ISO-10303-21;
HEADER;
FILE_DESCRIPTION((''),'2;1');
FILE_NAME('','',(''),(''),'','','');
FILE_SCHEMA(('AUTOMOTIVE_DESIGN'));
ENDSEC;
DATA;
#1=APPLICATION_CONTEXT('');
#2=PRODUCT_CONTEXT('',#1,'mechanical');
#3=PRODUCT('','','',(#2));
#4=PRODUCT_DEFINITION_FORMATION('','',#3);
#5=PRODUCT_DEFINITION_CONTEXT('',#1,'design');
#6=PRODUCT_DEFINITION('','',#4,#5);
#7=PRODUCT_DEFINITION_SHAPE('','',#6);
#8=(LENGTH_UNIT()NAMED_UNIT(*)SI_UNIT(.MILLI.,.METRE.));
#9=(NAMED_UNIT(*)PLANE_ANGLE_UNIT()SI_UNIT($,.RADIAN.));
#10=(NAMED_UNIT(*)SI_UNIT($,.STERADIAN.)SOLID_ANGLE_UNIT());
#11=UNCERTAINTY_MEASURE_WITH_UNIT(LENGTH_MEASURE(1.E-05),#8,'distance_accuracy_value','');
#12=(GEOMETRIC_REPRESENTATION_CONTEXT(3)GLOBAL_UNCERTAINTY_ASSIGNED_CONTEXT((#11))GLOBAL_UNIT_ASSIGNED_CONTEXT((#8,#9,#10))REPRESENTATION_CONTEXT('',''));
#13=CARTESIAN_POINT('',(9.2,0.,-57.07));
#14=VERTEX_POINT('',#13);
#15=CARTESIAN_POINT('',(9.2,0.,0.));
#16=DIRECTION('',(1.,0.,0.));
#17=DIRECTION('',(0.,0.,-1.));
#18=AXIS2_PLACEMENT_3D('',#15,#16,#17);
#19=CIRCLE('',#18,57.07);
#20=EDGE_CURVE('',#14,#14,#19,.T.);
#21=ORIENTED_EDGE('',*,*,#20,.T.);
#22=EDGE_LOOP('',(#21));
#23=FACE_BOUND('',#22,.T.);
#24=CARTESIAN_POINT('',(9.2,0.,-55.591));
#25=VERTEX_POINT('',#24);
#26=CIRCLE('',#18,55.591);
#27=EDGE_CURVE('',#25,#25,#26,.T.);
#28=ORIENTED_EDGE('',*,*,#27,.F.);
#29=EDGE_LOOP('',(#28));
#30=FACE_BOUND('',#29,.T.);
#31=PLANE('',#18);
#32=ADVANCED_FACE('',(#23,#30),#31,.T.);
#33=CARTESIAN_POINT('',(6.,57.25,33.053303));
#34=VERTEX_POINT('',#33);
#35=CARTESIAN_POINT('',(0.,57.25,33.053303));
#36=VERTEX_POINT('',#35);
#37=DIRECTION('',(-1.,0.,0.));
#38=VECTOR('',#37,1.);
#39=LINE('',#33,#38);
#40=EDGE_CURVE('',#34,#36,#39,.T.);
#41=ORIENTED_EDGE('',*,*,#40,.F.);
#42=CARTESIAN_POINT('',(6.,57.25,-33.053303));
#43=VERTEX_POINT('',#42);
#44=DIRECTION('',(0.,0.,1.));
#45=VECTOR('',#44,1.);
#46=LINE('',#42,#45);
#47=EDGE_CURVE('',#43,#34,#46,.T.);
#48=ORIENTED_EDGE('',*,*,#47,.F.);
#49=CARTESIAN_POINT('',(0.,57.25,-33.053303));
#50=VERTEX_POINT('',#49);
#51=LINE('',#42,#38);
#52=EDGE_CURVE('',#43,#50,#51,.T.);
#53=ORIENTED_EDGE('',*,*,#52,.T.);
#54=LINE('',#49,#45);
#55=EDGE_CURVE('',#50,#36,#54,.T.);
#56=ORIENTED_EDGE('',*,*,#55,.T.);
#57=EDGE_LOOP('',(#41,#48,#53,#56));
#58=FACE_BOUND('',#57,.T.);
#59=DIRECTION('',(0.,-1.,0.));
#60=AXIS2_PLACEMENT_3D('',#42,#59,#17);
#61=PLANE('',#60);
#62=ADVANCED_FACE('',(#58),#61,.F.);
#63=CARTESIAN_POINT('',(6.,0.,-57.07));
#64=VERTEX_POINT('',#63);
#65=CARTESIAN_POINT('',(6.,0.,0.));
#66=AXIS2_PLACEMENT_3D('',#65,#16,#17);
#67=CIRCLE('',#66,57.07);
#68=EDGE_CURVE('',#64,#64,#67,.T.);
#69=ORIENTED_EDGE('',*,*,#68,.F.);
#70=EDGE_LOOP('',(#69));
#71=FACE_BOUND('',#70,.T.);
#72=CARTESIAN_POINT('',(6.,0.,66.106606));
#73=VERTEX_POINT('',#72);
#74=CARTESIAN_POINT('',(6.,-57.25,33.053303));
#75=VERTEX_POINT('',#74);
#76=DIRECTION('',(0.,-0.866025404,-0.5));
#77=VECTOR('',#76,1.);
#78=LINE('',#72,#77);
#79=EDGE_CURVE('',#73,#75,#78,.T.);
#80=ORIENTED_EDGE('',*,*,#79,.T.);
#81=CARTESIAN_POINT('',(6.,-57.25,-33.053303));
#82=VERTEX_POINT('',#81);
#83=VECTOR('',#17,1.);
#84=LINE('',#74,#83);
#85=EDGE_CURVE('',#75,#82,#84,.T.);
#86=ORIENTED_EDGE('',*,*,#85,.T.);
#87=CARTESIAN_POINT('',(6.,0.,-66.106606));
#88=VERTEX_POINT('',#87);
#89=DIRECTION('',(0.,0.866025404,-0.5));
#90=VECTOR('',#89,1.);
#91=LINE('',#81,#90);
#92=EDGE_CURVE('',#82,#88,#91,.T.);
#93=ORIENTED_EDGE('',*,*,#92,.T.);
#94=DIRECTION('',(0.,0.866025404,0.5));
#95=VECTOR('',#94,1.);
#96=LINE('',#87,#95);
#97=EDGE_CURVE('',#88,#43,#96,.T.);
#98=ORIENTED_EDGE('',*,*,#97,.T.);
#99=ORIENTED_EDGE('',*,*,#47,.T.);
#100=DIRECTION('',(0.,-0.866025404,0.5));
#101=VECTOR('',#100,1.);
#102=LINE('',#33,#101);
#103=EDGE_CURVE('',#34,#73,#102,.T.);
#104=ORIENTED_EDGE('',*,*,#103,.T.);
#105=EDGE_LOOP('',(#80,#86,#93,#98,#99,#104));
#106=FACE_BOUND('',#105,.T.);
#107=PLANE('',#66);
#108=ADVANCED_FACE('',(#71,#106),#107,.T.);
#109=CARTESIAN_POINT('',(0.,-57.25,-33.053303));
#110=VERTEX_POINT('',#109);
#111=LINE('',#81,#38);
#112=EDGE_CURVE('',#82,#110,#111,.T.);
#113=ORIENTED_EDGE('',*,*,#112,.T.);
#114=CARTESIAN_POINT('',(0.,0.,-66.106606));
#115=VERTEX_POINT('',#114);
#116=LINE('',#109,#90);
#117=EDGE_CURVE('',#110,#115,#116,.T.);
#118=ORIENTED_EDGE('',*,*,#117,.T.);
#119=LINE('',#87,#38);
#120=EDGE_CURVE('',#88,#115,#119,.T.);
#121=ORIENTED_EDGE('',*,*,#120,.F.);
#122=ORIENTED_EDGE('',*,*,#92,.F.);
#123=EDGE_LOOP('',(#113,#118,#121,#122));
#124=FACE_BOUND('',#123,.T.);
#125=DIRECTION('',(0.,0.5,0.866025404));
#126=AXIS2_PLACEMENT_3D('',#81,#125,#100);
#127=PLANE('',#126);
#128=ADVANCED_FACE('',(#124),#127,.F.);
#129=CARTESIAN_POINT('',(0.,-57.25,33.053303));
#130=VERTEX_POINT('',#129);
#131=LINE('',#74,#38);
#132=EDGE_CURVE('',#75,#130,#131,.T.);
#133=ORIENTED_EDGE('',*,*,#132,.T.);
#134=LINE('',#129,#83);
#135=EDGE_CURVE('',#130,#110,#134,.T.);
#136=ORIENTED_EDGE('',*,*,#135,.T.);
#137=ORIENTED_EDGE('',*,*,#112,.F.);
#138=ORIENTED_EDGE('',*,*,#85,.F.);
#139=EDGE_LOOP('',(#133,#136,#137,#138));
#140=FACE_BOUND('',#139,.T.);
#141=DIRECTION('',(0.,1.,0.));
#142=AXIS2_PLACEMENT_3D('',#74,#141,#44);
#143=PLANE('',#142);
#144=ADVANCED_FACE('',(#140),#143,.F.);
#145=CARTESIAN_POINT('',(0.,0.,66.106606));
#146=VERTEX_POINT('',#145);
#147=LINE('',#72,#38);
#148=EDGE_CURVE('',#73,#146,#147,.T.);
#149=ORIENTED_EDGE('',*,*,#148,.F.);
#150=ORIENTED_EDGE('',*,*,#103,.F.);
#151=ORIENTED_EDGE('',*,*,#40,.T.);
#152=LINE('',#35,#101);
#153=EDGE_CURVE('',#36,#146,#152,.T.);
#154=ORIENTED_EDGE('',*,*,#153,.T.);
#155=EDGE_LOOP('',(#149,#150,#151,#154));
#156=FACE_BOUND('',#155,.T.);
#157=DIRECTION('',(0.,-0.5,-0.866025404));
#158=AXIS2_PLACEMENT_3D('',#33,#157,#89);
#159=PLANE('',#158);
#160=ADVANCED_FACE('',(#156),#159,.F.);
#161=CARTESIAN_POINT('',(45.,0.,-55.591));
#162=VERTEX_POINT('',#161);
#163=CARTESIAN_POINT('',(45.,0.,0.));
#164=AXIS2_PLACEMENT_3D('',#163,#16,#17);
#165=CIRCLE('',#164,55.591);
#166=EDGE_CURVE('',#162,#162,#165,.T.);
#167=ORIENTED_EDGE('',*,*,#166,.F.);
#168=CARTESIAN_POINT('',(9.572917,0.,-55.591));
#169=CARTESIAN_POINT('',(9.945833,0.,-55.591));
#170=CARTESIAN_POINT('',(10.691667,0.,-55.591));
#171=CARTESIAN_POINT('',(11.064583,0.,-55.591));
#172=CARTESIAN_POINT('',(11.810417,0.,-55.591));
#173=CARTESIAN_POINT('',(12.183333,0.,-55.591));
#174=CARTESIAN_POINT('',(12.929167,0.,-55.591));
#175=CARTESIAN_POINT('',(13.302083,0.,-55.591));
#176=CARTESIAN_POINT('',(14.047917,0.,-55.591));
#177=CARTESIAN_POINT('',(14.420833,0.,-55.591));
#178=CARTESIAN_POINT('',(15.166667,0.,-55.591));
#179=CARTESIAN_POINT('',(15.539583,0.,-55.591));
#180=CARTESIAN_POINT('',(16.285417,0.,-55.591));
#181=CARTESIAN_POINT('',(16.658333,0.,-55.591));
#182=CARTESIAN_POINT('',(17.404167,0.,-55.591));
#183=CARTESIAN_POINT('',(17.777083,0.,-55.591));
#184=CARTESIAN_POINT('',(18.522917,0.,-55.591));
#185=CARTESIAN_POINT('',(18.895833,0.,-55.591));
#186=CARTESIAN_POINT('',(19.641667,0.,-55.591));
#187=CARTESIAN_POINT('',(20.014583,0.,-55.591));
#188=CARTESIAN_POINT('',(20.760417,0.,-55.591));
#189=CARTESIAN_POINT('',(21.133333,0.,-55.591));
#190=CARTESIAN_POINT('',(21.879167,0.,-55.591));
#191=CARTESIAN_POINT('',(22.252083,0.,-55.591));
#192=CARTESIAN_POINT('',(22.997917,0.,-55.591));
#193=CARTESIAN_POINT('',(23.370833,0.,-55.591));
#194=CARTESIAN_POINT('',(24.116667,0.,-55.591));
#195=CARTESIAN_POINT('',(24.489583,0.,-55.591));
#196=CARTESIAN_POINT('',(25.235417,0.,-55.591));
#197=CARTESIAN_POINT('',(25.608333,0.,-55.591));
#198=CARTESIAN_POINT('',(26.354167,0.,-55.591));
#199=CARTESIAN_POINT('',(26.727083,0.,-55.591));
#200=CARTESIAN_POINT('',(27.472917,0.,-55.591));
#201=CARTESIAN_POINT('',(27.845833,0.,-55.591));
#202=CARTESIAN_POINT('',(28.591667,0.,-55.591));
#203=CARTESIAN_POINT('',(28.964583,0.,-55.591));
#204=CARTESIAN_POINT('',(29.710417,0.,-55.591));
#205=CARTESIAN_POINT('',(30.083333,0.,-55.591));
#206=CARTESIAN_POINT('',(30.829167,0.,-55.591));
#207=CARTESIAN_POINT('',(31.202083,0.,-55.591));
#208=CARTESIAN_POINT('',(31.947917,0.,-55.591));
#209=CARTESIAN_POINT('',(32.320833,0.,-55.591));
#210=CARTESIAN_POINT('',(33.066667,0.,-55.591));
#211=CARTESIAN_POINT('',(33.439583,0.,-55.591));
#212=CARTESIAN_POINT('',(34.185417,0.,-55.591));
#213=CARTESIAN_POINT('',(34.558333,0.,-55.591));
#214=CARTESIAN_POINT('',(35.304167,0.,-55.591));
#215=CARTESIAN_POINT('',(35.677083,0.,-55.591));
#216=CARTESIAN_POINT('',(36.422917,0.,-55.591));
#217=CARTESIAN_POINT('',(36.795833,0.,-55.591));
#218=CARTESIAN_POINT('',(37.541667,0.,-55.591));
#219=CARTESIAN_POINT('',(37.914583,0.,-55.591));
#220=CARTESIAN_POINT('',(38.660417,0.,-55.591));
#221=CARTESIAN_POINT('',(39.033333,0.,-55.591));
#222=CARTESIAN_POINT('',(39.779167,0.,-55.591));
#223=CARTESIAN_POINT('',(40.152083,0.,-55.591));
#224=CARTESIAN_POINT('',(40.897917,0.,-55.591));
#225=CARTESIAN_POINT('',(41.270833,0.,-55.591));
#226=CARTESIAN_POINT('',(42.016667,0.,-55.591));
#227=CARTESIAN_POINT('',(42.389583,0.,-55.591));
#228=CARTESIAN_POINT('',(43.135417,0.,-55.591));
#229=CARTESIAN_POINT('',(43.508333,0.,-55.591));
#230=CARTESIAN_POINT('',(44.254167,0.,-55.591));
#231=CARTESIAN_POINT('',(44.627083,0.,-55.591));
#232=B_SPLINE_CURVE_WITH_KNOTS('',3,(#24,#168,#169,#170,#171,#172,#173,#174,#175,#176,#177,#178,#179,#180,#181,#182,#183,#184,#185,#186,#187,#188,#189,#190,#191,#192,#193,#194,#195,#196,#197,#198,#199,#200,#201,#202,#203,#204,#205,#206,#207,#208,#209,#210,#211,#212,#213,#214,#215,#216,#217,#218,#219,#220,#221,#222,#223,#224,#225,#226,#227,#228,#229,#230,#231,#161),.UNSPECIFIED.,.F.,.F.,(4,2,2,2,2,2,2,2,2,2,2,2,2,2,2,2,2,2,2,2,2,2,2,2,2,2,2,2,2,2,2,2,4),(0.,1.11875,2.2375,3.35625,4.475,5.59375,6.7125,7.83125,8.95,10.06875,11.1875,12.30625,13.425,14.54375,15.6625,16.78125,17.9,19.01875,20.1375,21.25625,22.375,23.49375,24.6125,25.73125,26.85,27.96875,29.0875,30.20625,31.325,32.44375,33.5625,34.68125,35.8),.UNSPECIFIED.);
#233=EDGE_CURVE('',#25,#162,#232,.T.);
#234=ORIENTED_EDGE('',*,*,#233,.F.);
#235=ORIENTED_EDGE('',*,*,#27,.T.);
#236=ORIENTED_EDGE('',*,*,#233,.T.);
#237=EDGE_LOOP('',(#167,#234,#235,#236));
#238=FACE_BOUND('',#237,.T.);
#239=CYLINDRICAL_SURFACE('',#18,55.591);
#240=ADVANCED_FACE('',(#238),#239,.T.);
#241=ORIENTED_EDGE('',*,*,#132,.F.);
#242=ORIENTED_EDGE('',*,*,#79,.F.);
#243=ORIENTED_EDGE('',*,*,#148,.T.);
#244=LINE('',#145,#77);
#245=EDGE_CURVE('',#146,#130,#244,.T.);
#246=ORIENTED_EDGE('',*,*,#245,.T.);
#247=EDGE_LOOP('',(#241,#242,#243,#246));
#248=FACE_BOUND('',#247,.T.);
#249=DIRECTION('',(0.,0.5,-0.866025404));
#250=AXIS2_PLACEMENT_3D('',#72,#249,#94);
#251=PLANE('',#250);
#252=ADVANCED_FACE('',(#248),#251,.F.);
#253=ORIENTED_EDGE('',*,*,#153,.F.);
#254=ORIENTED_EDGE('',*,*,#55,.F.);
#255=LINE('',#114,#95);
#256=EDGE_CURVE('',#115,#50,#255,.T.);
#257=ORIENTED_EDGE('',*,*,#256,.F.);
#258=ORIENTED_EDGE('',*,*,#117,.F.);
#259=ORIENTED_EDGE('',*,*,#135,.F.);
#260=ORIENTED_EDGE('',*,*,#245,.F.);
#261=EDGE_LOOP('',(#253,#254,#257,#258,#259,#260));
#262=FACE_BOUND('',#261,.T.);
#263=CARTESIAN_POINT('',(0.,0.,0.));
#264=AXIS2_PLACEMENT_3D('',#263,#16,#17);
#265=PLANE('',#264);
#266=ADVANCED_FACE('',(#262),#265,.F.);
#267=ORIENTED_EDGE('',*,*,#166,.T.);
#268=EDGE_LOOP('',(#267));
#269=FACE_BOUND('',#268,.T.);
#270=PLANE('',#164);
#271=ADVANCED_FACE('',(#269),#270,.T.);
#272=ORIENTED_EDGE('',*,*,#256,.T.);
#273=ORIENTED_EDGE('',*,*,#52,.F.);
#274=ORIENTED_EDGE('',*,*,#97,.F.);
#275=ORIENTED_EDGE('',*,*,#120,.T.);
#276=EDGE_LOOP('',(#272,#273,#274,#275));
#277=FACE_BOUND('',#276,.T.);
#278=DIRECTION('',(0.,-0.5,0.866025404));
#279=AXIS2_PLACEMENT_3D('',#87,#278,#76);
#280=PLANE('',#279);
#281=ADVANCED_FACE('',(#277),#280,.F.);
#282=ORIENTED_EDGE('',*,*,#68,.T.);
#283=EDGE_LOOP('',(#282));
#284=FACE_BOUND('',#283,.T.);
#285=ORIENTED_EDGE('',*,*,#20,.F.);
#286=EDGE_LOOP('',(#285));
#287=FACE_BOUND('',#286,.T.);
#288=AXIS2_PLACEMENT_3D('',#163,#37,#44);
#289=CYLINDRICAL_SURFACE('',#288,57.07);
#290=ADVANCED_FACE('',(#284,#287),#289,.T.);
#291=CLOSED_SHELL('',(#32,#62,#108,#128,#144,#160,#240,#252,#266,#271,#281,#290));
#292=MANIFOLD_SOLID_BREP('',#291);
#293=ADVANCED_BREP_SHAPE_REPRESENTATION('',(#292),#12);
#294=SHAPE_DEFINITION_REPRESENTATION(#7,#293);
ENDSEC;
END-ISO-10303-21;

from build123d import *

# Parameters (mm, degrees)
BOSS_EXTRUDE1_DEPTH = 6
SKETCH2_R           = 57.07
BOSS_EXTRUDE2_DEPTH = 39
CUT_EXTRUDE1_START  = -35.8
SKETCH3_R           = 57.07
SKETCH3_R_2         = 55.591
CUT_EXTRUDE1_DEPTH  = 35.8


with BuildPart() as part:
    # Sketch1 → Boss-Extrude1 (new body)
    with BuildSketch(Plane(origin=(0, 0, 0), x_dir=(0, 0, -1), z_dir=(1, 0, 0))):
        Polygon((33.053302911, 57.25), (-33.053302911, 57.25), (-66.106605822, 0), (-33.053302911, -57.25), (33.053302911, -57.25), (66.106605822, 0), align=None)
    extrude(amount=BOSS_EXTRUDE1_DEPTH)

    # Sketch2 → Boss-Extrude2 (add)
    with BuildSketch(Plane(origin=(6, 0, 0), x_dir=(0, 0, -1), z_dir=(1, 0, 0))):
        Circle(SKETCH2_R)
    extrude(amount=BOSS_EXTRUDE2_DEPTH)

    # Sketch3 → Cut-Extrude1 (cut)
    with BuildSketch(Plane(origin=(45, 0, 0), x_dir=(0, 0, -1), z_dir=(1, 0, 0)).offset(CUT_EXTRUDE1_START)):
        Circle(SKETCH3_R)
        Circle(SKETCH3_R_2, mode=Mode.SUBTRACT)
    extrude(amount=CUT_EXTRUDE1_DEPTH, mode=Mode.SUBTRACT)


solid = part.part
